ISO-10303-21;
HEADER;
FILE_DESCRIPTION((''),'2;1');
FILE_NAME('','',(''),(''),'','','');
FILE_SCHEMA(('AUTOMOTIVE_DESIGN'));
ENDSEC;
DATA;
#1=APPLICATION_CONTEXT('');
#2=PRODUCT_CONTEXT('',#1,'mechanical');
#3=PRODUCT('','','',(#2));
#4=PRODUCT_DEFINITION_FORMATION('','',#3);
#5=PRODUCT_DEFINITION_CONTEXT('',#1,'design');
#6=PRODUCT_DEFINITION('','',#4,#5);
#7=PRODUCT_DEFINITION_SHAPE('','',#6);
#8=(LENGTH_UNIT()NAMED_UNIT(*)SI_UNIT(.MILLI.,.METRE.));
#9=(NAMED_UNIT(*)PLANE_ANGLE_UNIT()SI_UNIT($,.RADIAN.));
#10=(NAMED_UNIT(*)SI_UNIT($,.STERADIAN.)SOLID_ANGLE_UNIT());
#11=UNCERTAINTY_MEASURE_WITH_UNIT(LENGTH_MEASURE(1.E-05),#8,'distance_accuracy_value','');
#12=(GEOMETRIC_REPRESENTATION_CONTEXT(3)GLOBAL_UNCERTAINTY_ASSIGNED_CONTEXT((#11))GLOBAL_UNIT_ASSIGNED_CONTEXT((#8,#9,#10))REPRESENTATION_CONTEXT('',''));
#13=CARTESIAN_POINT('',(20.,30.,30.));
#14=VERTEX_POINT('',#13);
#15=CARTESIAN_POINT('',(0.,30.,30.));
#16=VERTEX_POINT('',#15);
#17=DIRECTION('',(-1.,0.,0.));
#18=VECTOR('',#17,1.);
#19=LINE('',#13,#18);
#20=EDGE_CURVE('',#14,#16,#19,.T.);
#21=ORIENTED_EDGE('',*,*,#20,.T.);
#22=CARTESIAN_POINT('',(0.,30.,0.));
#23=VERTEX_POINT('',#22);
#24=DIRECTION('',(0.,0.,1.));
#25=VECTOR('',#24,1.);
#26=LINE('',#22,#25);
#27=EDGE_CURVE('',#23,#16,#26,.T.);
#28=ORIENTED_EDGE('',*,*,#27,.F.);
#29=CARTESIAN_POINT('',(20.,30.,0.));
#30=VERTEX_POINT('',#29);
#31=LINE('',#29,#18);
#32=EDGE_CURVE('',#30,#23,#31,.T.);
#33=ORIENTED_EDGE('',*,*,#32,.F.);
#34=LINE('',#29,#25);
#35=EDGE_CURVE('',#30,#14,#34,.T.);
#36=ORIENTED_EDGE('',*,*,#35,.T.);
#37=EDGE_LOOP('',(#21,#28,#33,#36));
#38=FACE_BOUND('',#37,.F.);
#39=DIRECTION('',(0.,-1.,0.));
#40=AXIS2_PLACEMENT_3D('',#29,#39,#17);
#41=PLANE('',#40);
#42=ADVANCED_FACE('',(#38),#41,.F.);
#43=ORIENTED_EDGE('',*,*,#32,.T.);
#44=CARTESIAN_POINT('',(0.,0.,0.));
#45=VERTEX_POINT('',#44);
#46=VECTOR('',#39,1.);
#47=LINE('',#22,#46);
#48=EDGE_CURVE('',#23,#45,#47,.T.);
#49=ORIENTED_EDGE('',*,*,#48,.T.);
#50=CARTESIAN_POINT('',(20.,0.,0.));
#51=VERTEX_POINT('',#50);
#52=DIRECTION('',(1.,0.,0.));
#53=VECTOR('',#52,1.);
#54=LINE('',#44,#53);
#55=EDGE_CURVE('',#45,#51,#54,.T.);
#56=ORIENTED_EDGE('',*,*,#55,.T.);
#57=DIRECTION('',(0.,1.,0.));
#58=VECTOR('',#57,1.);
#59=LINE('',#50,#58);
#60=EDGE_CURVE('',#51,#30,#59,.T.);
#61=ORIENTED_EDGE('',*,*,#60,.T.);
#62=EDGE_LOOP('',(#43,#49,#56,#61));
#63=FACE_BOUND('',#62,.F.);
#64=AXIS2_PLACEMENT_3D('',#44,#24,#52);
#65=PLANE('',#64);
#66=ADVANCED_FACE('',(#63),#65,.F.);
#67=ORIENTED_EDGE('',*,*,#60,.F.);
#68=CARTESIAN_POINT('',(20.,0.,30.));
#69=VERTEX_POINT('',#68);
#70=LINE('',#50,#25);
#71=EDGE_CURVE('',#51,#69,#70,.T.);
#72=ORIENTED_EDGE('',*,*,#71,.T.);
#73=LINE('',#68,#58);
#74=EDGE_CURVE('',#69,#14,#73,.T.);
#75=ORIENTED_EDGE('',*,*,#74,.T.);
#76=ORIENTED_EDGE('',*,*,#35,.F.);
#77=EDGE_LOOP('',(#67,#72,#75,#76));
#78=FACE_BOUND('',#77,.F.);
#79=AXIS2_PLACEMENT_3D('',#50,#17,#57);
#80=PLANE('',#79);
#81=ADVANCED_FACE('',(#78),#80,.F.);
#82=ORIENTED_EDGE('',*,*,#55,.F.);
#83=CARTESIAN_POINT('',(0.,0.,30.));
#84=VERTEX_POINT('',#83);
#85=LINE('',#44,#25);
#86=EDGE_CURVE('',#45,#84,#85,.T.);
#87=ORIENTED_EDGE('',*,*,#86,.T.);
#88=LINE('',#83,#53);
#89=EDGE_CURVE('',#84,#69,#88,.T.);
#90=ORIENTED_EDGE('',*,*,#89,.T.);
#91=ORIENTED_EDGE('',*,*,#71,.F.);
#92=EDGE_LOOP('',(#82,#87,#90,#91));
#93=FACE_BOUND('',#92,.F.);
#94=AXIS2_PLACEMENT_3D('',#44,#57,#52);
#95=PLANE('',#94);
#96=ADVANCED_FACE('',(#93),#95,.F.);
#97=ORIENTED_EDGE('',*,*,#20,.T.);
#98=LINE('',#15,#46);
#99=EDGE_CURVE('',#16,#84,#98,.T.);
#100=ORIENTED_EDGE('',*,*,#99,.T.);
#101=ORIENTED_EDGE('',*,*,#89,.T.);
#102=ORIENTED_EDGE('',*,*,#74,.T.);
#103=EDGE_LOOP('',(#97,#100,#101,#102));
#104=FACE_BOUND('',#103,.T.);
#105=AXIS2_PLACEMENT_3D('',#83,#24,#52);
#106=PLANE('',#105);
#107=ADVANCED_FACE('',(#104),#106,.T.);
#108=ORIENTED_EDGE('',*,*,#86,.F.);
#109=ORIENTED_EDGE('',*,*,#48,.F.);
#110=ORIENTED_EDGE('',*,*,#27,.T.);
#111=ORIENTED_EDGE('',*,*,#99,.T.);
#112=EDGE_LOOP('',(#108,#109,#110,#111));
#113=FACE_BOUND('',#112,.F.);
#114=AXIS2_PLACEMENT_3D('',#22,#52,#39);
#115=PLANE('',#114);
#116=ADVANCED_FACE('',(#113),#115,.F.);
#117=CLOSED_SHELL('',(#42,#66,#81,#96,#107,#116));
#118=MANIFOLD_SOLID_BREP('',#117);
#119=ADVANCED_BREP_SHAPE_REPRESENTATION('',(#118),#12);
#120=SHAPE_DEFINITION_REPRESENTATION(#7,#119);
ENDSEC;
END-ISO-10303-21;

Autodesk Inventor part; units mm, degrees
ref_plane "YZ Plane" through (0, 0, 0) normal (1, 0, 0) x (0, 1, 0)
ref_plane "XZ Plane" through (0, 0, 0) normal (0, 1, 0) x (-1, 0, 0)
ref_plane "XY Plane" through (0, 0, 0) normal (0, 0, 1) x (1, 0, 0)
sketch "スケッチ1" plane through (0, 0, 0) normal (0, 0, 1) x (1, 0, 0)
  line L0 (0, 0) -> (20, 0)
  line L1 (20, 0) -> (20, 30)
  line L2 (20, 30) -> (0, 30)
  line L3 (0, 30) -> (0, 0)
  dimension "d0" = 20
  dimension "d1" = 30
extrude "押し出し1" add sketch "スケッチ1" along normal blind 30
properties part number "脚ゴム"
